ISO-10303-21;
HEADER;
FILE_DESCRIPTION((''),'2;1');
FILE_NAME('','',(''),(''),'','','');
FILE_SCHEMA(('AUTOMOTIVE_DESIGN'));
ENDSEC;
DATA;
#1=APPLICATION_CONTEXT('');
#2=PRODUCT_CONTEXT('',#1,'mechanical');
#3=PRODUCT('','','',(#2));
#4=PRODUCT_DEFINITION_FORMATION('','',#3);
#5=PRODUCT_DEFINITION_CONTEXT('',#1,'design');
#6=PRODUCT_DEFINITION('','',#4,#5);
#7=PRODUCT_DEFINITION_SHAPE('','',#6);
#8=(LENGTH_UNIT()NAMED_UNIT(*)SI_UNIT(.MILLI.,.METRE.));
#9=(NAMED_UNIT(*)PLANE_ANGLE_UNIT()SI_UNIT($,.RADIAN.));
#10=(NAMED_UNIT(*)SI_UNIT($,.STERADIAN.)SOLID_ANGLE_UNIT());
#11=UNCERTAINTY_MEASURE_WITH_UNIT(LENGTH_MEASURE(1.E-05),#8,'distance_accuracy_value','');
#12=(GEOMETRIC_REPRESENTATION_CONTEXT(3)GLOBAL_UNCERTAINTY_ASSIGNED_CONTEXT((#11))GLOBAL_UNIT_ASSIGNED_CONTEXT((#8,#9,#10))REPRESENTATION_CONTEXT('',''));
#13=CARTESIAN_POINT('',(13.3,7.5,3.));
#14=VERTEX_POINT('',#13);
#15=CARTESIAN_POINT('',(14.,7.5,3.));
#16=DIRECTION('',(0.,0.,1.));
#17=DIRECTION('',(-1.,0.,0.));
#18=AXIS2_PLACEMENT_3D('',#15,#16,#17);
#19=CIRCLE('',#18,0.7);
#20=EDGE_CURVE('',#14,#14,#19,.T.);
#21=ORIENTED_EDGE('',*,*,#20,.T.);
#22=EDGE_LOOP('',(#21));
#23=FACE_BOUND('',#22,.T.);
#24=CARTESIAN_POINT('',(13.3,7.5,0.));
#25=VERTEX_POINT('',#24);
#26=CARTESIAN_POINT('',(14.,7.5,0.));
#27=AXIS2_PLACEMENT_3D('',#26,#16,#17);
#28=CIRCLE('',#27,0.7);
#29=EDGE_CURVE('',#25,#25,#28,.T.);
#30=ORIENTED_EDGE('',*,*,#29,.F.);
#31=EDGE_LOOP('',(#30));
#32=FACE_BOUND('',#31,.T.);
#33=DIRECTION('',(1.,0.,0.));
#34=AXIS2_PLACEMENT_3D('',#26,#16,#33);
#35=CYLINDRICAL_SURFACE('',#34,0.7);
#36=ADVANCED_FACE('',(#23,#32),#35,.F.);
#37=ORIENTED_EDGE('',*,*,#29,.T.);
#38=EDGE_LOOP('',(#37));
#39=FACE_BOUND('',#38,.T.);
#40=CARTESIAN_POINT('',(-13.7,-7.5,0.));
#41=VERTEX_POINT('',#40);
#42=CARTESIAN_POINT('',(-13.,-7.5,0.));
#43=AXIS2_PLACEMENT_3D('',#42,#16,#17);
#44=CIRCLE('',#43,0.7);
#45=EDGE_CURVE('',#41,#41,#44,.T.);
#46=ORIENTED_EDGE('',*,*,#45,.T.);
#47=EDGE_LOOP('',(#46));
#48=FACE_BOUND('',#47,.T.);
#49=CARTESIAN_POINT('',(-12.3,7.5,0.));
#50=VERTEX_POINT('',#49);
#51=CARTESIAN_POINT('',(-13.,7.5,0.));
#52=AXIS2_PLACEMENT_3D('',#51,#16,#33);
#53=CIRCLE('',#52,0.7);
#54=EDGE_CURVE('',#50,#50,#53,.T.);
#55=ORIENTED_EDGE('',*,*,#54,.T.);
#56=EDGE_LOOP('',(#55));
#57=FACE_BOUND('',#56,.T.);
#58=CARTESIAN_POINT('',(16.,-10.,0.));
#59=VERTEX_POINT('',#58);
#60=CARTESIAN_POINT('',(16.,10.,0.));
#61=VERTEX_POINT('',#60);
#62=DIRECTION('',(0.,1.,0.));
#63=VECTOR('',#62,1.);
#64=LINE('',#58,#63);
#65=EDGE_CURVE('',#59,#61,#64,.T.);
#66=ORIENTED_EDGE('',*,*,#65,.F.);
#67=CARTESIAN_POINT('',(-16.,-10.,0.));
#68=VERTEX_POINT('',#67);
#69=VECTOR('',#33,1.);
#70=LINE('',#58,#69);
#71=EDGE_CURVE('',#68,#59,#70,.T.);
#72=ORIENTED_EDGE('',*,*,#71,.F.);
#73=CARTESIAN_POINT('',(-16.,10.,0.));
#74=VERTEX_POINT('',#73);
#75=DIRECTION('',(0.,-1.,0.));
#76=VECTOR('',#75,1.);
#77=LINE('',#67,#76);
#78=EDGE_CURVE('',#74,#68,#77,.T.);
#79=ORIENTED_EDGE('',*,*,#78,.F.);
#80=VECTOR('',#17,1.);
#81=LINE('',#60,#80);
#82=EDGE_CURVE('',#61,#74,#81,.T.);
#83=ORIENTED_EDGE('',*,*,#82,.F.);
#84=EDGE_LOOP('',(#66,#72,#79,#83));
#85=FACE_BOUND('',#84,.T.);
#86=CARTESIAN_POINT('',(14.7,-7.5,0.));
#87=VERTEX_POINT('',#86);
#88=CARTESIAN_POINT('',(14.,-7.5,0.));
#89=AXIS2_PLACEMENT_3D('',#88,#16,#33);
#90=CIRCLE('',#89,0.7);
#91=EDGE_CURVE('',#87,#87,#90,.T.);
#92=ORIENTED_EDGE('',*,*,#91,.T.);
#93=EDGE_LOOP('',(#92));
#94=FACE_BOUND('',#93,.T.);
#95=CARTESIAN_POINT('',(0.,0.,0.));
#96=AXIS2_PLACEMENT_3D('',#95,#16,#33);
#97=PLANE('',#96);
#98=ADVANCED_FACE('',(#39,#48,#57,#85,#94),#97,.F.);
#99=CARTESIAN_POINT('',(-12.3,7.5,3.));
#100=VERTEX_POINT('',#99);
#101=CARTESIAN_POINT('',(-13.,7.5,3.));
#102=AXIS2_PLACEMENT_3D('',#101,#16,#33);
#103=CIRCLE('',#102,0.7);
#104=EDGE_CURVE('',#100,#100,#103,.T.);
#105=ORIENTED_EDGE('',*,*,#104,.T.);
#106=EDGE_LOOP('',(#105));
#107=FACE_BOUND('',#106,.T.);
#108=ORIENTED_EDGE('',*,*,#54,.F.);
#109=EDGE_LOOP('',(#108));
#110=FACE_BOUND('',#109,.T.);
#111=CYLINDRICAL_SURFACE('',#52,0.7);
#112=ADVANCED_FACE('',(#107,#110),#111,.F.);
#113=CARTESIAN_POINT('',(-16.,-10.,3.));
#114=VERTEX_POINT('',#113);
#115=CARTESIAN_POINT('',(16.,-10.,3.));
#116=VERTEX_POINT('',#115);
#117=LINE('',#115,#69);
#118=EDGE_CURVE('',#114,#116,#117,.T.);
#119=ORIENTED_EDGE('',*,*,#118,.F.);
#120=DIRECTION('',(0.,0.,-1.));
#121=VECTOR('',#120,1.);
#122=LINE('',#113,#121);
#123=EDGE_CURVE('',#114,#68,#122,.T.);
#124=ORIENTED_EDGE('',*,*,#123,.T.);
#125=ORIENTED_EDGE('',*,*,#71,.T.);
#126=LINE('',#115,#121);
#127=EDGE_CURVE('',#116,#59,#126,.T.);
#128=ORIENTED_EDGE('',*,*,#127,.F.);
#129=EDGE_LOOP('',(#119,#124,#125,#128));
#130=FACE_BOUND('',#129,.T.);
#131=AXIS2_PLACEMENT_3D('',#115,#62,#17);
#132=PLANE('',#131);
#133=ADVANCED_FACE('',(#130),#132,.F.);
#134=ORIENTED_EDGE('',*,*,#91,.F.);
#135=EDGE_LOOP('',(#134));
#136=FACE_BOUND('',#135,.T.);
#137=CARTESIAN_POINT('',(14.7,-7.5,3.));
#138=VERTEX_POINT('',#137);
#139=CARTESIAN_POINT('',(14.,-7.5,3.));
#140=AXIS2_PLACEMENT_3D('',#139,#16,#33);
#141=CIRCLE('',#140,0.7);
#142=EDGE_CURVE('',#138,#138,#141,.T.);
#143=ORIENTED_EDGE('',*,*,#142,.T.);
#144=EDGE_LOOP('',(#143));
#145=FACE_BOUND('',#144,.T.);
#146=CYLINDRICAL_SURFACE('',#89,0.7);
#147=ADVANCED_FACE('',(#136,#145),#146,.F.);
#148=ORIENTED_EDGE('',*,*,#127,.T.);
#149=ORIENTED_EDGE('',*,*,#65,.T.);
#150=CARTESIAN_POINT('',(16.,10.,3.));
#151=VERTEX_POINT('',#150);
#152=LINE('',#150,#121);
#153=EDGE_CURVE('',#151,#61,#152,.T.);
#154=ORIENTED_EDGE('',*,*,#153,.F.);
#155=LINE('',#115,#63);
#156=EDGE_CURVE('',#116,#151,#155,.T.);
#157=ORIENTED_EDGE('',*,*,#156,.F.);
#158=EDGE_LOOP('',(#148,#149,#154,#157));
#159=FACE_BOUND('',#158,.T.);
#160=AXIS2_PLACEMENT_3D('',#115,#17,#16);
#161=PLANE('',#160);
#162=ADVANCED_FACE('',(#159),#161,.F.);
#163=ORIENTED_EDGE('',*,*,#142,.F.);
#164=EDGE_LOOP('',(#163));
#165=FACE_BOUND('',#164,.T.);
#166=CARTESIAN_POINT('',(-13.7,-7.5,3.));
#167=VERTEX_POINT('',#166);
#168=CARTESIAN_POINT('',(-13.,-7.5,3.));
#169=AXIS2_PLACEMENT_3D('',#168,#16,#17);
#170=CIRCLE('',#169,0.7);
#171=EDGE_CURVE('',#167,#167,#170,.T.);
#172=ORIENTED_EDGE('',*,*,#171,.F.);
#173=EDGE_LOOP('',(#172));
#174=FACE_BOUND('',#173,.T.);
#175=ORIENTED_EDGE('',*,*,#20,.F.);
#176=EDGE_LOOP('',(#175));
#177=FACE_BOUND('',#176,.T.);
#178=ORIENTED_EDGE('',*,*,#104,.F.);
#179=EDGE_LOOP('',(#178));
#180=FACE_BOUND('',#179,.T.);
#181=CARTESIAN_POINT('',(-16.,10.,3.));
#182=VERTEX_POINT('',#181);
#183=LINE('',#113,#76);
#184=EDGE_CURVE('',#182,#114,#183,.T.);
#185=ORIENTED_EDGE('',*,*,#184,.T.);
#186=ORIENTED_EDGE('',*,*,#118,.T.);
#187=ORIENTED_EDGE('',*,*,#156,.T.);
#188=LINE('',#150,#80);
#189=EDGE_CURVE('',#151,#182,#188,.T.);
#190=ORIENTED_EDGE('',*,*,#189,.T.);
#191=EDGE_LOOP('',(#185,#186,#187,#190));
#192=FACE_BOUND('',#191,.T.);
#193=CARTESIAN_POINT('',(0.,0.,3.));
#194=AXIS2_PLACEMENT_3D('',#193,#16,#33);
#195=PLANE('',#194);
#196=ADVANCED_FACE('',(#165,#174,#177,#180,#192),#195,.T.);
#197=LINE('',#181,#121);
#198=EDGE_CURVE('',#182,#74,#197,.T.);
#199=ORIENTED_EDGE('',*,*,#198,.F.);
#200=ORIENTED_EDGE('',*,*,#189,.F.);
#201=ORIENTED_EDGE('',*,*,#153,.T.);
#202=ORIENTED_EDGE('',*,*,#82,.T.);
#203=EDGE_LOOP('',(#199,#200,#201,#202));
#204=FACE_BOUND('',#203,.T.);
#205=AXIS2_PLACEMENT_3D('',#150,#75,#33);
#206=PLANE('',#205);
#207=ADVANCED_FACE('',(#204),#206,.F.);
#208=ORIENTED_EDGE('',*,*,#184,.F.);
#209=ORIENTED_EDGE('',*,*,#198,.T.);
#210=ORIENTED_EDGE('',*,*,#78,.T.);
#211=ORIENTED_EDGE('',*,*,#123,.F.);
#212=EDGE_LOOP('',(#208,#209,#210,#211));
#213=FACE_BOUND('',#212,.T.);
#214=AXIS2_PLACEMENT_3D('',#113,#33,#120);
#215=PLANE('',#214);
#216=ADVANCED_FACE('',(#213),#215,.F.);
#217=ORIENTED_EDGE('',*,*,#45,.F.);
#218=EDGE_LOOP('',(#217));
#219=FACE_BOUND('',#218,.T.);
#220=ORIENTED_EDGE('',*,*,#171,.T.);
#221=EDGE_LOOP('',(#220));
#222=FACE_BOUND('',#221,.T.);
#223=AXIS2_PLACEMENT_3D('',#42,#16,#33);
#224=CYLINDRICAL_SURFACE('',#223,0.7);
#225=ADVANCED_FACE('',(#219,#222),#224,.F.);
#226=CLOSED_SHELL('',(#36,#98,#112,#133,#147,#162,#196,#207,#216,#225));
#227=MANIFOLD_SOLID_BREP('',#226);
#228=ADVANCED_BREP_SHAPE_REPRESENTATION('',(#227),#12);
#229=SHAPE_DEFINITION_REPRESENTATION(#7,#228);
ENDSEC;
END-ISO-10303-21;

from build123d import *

# Parameters (mm, degrees)
ESQUISSE1_W             = 32
ESQUISSE1_H             = 20
BOSS_EXTRU_1_DEPTH      = 3
ESQUISSE2_R             = 0.7
ENL_V_MAT_EXTRU_1_DEPTH = 20.104973175


with BuildPart() as part:
    # Esquisse1 → Boss.-Extru.1 (new body)
    with BuildSketch(Plane.XY):
        Rectangle(ESQUISSE1_W, ESQUISSE1_H)
    extrude(amount=BOSS_EXTRU_1_DEPTH)

    # Esquisse2 → Enlèv. mat.-Extru.1 (cut, through all)
    with BuildSketch(Plane.XY.offset(3)):
        with Locations((-13, 7.5)):
            Circle(ESQUISSE2_R)
        with Locations(Location((14, 7.5, 0), (0, 0, 180))):
            Circle(ESQUISSE2_R)
        with Locations((14, -7.5)):
            Circle(ESQUISSE2_R)
        with Locations(Location((-13, -7.5, 0), (0, 0, 180))):
            Circle(ESQUISSE2_R)
    extrude(amount=-ENL_V_MAT_EXTRU_1_DEPTH, mode=Mode.SUBTRACT)


solid = part.part
